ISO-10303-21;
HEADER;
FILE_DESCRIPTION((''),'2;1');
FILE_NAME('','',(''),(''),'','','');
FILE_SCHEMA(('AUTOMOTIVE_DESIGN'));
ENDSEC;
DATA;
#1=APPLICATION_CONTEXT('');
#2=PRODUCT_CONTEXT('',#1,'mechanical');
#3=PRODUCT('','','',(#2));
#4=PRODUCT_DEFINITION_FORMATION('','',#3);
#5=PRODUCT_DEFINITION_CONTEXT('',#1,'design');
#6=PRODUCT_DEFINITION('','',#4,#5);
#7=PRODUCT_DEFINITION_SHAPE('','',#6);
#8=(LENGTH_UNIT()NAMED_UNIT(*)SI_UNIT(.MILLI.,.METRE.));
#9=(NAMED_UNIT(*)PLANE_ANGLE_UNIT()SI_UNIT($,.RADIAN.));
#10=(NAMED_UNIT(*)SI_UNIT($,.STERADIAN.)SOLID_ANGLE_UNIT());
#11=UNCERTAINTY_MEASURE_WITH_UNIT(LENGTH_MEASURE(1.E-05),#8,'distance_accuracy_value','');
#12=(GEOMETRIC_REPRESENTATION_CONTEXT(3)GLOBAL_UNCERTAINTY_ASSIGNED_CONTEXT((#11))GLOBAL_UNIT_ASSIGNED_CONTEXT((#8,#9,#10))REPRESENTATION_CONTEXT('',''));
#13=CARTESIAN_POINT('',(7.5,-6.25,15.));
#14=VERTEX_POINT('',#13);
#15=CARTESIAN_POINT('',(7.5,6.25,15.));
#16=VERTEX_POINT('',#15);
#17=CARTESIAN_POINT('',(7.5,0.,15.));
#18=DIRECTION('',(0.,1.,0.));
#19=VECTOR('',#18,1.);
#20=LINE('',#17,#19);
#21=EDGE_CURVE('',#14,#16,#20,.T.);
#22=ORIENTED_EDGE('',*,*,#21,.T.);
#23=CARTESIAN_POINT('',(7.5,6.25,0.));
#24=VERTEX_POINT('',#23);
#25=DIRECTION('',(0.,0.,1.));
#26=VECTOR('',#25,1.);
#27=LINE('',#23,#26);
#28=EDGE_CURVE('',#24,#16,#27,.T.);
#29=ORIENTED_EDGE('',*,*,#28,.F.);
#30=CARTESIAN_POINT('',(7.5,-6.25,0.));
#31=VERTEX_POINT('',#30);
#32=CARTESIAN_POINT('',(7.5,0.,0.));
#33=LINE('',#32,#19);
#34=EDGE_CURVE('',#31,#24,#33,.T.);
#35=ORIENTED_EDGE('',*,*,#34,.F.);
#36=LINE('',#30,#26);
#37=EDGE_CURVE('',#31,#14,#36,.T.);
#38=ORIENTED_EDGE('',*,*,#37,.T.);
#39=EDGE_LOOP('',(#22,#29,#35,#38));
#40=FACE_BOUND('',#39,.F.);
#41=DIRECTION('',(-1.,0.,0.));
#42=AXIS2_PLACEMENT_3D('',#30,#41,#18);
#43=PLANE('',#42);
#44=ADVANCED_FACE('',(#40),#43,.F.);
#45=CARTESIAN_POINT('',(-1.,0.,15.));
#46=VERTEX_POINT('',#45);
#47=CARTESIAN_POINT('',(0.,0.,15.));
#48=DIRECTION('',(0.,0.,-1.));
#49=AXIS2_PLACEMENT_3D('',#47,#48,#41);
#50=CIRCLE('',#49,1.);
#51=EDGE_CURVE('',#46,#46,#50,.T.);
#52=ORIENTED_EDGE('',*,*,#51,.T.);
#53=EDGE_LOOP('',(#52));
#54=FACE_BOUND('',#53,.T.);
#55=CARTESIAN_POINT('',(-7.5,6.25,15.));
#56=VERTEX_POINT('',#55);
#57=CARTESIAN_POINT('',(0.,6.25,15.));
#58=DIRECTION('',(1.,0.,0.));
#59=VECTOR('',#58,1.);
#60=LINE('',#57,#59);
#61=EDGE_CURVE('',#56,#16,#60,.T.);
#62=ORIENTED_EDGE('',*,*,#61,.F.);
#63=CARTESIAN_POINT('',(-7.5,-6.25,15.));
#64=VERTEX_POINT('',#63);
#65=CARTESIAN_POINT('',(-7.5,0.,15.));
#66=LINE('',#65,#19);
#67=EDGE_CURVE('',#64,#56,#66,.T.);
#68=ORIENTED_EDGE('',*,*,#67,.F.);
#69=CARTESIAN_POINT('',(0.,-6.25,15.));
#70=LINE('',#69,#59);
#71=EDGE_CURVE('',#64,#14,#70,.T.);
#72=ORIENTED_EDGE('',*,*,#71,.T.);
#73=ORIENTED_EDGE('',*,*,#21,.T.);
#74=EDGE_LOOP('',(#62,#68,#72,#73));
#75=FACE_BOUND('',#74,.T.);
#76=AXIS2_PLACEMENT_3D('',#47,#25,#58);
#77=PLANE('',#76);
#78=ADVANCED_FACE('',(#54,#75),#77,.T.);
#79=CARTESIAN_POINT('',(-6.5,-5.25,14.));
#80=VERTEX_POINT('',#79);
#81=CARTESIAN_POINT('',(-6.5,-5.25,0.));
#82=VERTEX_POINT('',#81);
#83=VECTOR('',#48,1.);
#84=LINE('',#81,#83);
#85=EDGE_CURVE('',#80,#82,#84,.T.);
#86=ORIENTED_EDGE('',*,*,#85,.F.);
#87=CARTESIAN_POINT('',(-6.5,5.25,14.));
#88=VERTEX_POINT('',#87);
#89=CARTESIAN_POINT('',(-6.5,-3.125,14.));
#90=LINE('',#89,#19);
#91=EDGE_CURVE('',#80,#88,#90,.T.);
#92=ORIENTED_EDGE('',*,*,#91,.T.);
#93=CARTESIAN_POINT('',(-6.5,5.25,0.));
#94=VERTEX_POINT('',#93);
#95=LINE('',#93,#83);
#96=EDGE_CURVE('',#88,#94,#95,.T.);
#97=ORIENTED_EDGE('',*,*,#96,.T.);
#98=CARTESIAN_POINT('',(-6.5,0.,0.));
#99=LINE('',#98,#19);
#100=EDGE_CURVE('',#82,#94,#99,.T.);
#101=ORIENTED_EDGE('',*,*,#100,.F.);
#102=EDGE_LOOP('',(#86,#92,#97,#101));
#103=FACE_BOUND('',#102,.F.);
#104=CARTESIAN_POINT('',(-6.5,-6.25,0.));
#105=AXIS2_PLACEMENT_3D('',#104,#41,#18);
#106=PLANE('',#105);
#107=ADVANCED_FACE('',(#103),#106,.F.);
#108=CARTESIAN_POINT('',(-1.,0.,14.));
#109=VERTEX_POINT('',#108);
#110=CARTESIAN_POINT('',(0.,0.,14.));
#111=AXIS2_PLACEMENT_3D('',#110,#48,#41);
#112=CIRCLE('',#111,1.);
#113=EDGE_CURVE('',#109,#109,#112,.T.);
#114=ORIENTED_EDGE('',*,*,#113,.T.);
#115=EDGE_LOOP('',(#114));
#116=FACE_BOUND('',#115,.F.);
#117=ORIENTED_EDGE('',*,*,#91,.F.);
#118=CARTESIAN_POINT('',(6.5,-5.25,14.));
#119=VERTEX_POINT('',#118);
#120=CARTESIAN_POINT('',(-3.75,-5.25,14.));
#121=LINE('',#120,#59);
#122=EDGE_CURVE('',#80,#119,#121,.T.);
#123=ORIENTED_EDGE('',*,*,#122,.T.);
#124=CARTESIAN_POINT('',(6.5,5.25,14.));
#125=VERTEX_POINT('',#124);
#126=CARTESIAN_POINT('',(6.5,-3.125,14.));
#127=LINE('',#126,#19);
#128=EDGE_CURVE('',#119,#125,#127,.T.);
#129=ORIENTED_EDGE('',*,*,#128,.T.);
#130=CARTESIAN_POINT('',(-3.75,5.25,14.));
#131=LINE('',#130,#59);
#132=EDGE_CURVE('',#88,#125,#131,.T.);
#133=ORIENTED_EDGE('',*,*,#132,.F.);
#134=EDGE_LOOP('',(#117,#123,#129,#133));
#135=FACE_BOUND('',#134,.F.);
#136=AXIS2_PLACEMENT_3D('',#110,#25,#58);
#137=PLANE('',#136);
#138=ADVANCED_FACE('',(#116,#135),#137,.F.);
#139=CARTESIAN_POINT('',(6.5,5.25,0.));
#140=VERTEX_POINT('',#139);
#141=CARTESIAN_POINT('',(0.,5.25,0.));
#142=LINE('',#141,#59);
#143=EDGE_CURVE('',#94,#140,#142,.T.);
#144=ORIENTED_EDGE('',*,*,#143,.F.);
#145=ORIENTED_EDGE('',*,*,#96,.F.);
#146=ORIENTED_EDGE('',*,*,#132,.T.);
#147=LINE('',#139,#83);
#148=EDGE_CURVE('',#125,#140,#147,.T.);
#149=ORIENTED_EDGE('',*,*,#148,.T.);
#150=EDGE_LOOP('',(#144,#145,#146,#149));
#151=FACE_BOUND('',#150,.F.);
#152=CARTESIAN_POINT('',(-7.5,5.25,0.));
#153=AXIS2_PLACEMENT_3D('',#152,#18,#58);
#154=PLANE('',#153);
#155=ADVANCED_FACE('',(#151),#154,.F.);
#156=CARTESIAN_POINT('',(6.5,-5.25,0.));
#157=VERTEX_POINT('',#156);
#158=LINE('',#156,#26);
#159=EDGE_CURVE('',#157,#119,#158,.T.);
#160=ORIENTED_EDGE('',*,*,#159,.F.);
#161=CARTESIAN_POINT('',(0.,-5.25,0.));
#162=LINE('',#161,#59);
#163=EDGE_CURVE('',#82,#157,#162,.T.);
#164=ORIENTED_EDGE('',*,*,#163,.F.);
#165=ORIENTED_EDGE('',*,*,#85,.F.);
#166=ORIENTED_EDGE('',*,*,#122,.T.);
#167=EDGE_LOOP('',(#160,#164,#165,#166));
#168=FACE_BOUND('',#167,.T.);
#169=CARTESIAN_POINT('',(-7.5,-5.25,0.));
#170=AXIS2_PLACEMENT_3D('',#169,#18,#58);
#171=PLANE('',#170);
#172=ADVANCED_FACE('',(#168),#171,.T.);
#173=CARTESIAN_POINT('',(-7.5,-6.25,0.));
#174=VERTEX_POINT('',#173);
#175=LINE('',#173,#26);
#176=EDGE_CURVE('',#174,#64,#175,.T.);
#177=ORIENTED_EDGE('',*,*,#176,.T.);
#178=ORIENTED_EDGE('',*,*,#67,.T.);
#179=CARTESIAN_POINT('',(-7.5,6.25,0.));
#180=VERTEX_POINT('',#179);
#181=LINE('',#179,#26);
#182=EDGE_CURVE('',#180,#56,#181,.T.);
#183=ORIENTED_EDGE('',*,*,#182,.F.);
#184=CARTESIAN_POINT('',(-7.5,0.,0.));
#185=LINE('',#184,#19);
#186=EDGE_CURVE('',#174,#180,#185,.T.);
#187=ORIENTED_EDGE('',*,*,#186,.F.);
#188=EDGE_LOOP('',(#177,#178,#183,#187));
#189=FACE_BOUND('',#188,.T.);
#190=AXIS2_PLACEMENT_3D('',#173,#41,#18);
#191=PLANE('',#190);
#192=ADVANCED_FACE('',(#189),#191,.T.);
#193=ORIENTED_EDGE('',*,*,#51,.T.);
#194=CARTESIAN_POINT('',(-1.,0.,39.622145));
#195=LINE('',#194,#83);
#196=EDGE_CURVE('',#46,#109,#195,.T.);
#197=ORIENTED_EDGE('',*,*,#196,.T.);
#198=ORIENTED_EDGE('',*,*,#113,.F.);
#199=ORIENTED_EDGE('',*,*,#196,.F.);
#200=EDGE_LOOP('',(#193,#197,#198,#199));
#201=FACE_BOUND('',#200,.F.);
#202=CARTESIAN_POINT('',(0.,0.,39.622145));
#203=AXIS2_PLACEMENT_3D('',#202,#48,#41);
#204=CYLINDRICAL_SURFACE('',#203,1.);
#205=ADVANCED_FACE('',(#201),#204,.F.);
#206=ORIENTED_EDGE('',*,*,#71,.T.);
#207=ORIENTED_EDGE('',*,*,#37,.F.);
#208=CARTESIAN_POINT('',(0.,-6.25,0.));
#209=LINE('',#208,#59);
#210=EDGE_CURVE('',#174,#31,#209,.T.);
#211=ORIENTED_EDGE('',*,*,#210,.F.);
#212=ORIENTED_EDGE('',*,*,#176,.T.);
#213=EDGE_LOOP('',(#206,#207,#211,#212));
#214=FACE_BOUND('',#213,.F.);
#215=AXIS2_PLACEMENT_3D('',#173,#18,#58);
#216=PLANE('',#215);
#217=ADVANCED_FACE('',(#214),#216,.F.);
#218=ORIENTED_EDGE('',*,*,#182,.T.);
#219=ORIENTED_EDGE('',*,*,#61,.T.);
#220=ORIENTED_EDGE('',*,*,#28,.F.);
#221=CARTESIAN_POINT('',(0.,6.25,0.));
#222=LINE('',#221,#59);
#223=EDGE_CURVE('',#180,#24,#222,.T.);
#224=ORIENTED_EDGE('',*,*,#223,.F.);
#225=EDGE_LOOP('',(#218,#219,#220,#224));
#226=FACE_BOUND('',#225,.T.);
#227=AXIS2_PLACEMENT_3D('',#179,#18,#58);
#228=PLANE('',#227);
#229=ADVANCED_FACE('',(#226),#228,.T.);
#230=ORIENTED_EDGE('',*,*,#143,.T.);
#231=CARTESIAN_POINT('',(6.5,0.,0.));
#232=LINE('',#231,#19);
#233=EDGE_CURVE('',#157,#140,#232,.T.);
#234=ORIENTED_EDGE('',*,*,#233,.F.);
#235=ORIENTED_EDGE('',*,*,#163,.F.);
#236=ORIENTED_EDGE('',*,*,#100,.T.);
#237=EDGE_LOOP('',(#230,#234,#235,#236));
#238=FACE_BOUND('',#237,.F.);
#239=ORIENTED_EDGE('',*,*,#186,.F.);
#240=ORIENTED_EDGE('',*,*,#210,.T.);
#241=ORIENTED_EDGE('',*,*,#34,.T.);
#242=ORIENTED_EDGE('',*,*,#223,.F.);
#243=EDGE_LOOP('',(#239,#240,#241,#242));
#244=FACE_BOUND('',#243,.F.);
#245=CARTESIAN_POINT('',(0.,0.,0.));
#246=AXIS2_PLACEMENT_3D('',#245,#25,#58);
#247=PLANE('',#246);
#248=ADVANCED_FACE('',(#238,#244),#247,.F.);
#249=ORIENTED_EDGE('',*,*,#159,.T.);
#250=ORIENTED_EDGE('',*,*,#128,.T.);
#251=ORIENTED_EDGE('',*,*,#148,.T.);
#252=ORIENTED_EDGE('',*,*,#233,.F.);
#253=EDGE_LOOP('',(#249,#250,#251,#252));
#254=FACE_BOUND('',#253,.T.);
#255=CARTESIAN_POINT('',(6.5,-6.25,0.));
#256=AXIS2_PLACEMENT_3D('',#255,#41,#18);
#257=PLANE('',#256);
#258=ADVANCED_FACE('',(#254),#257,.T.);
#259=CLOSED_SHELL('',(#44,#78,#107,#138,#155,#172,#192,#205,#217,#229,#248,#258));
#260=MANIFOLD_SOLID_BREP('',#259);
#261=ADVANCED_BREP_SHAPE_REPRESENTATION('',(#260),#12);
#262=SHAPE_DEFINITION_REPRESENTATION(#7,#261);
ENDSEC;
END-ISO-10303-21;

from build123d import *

# Parameters (mm, degrees)
F0_W     = 15
F0_H     = 12.5
F1_DEPTH = 15
F2_T     = -1
F4_D     = 2


with BuildPart() as f1:
    # F0 (on Top) → F1 (new body)
    with BuildSketch(Plane.XY):
        Rectangle(F0_W, F0_H)
    extrude(amount=F1_DEPTH)

    # F2
    f2_openings = [f1.faces().sort_by_distance(p)[0] for p in [
        (0, 0, 0),
    ]]
    offset(amount=F2_T, openings=f2_openings)

    # F4 (through all)
    with Locations(Plane.XY.offset(15)):
        with Locations((0, 0)):
            Hole(F4_D / 2)


solid = f1.part
